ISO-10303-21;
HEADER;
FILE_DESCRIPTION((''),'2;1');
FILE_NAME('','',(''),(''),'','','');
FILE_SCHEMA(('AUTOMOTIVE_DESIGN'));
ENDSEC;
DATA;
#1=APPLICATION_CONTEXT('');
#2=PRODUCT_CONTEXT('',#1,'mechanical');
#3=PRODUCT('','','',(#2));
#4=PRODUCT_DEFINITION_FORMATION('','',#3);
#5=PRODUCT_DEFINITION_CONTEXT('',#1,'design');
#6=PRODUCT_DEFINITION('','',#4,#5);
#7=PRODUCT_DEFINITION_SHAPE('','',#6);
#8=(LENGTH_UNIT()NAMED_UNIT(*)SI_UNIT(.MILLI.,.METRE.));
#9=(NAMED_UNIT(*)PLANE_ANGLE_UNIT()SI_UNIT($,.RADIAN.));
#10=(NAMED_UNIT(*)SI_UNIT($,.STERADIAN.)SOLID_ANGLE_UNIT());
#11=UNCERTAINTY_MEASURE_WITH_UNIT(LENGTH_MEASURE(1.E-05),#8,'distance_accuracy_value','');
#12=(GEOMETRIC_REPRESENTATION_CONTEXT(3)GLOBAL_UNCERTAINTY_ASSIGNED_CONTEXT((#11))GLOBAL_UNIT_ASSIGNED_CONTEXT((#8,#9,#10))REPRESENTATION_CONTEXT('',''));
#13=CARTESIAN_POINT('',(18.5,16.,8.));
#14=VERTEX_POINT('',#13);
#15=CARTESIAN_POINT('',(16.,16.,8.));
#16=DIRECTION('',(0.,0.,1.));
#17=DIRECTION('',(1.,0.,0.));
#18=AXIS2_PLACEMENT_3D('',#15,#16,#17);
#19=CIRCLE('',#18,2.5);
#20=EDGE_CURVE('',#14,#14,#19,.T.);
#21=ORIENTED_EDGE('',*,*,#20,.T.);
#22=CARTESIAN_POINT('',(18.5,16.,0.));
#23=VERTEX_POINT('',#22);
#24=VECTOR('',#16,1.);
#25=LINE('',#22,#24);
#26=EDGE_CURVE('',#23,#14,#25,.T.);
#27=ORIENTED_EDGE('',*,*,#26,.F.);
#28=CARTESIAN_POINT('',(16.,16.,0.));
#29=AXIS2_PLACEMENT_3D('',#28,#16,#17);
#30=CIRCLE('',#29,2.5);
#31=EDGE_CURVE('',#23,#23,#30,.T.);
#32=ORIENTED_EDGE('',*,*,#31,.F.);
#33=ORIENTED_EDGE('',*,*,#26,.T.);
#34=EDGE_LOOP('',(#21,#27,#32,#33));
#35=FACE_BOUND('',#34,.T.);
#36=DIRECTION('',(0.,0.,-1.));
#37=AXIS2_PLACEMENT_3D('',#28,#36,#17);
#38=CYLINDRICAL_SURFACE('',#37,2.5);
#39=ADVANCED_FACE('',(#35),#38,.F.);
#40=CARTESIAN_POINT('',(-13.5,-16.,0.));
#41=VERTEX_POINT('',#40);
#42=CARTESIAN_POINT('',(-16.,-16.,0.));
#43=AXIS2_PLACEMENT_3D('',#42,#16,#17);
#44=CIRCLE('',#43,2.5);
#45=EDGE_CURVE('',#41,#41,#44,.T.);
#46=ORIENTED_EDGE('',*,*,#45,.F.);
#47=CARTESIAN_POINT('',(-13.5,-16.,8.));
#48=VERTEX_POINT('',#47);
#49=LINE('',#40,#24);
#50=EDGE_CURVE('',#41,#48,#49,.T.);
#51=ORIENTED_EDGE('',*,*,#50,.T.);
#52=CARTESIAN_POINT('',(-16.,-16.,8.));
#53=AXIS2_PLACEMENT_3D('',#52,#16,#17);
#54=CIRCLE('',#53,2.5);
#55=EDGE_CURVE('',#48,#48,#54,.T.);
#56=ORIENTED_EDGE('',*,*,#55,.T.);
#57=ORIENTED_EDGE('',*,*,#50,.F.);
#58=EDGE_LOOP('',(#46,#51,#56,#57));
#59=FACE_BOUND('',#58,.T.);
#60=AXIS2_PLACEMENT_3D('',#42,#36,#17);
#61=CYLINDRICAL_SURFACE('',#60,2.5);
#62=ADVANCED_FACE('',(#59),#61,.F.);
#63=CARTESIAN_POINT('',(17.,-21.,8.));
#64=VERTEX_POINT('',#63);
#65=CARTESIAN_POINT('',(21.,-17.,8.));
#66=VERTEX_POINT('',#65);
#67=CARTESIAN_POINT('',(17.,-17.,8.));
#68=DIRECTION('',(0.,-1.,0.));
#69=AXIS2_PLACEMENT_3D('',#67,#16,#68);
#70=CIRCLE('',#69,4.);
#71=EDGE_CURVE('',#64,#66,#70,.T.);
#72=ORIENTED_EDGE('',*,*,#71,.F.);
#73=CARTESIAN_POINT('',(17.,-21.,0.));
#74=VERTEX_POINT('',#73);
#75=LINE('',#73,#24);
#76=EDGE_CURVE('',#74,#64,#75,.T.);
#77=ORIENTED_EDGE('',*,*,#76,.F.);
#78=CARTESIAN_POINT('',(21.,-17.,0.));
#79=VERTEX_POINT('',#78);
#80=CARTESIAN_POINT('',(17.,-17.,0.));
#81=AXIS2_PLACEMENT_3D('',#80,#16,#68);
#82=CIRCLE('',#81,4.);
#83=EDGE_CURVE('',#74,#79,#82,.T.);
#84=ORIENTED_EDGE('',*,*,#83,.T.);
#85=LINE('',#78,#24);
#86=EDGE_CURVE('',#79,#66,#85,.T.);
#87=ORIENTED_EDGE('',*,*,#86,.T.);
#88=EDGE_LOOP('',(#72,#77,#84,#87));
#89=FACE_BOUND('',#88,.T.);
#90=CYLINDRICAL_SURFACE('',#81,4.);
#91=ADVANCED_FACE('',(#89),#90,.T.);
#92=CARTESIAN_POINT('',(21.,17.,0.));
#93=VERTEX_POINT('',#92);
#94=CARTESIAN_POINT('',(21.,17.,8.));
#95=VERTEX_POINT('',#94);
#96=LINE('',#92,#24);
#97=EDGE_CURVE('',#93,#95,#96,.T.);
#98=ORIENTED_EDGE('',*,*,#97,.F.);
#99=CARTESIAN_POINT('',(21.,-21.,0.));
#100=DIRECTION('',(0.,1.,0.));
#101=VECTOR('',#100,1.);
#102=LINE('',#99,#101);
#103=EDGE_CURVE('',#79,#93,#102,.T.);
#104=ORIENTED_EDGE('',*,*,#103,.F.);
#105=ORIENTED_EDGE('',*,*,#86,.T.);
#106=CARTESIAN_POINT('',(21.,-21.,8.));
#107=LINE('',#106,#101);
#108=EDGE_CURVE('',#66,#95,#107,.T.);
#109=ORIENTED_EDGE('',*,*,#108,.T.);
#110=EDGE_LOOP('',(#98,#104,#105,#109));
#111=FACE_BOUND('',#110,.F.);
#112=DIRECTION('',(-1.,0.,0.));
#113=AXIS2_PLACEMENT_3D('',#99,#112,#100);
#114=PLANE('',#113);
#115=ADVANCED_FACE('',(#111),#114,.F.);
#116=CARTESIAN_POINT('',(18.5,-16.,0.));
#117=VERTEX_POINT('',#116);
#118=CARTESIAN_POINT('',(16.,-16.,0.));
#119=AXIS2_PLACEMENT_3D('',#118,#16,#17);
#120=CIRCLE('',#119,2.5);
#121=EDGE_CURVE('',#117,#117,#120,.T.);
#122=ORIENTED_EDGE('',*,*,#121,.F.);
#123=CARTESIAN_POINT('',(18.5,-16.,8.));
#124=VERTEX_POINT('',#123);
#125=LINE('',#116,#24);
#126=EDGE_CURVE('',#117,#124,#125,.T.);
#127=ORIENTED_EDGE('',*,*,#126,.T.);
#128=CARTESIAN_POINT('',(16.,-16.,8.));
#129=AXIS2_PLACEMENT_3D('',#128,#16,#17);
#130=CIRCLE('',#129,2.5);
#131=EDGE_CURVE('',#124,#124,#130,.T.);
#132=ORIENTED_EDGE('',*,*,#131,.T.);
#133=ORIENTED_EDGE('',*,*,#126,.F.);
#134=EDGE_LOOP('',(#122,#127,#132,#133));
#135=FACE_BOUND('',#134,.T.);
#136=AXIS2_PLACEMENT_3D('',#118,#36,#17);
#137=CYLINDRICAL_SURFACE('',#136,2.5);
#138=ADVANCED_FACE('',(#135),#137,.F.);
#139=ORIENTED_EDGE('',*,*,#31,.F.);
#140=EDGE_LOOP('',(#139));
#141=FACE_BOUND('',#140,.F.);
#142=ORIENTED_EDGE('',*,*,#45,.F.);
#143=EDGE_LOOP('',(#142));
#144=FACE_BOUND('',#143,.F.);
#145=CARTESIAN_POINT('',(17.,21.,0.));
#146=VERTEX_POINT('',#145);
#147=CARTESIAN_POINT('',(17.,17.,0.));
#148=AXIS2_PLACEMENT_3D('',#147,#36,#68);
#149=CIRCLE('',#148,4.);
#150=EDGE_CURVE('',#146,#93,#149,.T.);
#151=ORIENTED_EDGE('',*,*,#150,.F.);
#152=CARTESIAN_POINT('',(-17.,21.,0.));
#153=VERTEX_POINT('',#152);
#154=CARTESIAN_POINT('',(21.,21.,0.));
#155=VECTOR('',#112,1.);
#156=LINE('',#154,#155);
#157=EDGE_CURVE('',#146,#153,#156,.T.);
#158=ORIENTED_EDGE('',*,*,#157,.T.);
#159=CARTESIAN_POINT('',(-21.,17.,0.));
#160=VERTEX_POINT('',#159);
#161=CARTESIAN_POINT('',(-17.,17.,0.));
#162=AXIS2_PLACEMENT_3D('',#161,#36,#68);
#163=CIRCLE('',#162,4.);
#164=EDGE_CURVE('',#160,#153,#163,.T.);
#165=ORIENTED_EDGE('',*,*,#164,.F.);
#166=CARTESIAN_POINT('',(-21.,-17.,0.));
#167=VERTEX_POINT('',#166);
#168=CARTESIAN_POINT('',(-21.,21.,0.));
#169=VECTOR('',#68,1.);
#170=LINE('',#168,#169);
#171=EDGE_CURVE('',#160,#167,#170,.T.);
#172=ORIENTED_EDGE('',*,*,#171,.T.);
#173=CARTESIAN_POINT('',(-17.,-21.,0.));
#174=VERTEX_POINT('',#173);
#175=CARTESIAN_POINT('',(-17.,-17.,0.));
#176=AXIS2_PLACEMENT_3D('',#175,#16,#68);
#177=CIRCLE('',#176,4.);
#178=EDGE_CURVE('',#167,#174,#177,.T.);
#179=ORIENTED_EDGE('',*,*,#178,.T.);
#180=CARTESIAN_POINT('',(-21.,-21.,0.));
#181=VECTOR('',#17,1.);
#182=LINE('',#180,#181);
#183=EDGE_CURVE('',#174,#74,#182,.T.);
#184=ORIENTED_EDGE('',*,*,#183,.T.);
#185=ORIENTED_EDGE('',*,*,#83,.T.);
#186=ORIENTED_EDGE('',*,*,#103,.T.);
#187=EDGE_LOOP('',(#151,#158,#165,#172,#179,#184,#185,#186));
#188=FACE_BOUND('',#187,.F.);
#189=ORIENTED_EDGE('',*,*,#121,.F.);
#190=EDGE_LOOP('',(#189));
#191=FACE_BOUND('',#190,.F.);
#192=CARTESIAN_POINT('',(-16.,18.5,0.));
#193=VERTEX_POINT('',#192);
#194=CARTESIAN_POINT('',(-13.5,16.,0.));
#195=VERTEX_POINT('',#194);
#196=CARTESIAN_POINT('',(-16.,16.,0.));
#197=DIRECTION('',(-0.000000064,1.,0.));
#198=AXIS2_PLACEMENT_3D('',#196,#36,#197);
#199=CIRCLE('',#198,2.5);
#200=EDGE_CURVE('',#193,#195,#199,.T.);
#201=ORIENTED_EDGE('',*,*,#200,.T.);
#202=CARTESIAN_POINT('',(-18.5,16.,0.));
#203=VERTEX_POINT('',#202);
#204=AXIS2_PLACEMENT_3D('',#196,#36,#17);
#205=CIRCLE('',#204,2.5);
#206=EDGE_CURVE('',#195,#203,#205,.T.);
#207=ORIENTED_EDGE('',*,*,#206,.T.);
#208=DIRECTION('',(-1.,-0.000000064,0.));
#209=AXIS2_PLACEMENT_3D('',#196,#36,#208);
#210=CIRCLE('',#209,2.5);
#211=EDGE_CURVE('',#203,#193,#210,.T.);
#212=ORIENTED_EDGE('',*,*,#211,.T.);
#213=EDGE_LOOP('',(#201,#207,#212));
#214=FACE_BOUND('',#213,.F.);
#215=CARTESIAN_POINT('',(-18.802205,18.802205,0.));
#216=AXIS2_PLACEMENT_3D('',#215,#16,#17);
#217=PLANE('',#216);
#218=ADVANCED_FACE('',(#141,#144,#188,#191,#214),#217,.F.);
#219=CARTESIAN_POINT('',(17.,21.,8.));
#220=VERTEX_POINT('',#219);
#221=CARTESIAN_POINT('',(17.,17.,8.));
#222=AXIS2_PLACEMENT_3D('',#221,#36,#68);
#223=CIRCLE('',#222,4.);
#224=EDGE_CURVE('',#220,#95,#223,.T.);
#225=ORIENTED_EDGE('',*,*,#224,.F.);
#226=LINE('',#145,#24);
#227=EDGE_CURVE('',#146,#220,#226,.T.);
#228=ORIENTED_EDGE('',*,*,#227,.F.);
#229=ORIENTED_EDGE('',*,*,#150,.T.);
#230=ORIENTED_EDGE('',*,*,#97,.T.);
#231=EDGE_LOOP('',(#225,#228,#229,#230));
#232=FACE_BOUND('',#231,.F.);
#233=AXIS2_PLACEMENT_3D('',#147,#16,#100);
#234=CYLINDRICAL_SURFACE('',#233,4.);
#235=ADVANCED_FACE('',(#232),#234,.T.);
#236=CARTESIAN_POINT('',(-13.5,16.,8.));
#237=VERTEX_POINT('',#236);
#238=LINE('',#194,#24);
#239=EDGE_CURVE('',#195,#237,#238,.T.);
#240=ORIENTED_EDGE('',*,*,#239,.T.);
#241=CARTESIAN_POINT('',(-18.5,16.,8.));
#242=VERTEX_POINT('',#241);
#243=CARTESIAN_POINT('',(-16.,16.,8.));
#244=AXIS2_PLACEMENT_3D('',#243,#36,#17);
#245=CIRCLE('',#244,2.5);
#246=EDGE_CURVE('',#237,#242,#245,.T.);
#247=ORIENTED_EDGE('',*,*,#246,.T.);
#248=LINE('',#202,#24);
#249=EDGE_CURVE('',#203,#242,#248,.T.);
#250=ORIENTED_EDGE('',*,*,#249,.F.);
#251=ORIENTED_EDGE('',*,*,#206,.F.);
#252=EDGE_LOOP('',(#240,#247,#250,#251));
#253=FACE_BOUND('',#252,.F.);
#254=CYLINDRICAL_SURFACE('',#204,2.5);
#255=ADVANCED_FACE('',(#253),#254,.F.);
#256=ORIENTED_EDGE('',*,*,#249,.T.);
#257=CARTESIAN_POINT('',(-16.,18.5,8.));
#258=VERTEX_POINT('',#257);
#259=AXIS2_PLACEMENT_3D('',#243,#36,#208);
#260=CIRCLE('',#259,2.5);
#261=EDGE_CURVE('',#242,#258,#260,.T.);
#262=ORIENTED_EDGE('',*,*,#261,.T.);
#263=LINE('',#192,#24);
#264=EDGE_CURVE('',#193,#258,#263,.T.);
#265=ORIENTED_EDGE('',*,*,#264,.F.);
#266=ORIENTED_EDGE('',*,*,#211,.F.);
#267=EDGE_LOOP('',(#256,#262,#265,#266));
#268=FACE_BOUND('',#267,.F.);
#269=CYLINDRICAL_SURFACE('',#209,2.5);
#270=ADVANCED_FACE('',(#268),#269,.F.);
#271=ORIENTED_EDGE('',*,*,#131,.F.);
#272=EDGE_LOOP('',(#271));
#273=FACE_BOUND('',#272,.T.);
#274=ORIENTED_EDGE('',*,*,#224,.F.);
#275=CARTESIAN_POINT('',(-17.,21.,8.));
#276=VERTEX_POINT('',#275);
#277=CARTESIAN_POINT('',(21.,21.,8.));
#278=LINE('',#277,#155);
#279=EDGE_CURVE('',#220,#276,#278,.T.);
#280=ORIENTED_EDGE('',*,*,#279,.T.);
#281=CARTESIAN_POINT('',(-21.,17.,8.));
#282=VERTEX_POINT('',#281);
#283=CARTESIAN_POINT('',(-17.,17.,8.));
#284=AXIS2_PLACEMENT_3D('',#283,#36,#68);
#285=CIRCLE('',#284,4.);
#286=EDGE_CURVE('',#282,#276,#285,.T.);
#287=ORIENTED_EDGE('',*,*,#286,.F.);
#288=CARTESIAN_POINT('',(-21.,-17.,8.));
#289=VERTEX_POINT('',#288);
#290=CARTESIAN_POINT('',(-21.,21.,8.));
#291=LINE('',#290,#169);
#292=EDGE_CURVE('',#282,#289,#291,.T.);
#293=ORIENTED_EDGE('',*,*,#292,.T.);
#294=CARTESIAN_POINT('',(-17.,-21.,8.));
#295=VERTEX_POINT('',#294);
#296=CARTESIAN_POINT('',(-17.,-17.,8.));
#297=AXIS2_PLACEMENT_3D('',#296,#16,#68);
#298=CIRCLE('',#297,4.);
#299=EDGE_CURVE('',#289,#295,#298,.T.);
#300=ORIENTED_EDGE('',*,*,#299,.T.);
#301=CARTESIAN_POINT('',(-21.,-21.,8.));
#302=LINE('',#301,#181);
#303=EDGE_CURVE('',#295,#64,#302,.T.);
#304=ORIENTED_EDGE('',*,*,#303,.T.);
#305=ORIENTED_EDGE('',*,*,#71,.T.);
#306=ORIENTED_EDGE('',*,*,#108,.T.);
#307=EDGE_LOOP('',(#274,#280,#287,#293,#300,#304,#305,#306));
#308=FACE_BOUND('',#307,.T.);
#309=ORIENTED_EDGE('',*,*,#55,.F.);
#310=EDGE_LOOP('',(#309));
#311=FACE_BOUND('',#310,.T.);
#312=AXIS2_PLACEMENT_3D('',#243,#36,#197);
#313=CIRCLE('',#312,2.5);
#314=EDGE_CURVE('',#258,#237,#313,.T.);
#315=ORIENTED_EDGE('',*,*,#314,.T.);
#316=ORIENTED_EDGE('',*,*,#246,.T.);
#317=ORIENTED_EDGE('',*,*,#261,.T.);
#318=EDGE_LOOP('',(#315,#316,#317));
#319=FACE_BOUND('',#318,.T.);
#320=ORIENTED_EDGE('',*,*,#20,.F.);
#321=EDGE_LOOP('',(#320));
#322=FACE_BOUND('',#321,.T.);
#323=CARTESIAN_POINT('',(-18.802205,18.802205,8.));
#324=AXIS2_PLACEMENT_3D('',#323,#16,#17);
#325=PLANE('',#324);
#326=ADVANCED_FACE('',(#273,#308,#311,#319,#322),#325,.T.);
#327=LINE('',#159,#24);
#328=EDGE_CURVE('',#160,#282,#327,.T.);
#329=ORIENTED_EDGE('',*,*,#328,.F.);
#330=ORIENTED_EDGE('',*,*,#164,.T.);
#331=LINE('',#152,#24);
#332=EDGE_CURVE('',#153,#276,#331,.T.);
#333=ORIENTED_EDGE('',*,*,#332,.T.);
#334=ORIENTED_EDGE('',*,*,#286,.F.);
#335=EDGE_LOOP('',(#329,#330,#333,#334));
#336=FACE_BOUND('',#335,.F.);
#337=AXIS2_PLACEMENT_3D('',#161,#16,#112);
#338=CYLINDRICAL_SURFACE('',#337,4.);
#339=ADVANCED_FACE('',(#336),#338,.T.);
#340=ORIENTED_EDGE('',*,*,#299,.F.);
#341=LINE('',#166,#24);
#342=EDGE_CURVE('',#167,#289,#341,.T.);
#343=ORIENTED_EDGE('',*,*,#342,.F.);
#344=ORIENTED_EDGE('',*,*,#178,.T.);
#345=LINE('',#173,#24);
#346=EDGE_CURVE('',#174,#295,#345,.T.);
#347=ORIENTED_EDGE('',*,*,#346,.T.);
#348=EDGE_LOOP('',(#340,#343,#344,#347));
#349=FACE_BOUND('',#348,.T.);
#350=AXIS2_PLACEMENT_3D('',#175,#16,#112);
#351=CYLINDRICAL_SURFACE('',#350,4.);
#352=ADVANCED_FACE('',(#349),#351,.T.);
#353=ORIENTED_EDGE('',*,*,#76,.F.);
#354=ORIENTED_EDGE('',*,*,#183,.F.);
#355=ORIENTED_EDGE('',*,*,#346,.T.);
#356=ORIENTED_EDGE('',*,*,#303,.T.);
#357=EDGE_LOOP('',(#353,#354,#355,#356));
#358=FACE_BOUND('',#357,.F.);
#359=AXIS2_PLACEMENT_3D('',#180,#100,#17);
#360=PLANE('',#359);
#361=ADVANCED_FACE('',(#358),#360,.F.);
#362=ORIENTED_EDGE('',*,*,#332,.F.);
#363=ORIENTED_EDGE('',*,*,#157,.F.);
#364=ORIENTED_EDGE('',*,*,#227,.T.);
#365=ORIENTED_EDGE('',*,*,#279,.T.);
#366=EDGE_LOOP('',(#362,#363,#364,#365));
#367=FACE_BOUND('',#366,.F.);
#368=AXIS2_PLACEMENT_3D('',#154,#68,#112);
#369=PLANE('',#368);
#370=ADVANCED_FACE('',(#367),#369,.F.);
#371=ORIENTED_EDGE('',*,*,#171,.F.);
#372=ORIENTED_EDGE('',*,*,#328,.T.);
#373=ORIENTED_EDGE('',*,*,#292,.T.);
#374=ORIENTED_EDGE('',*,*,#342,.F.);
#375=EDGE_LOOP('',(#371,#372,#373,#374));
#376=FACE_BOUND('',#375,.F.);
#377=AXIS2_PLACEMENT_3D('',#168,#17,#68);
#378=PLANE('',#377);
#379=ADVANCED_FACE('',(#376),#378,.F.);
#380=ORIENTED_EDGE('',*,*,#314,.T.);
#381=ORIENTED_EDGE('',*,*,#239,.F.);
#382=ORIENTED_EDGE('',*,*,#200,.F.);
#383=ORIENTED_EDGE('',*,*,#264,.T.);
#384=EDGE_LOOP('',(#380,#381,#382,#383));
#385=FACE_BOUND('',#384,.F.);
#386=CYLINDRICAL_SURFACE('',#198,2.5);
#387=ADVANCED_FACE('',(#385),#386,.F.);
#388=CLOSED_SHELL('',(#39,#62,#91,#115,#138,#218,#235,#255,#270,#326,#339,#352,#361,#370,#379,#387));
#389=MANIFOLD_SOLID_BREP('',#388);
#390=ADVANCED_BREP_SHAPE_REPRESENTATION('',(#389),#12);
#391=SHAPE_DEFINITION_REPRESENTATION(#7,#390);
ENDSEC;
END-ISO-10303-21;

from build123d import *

# Parameters (mm, degrees)
F0_R     = 2.5
F1_DEPTH = 8
F2_R     = 4


with BuildPart() as f1:
    # F0 (on Top) → F1 (new body)
    with BuildSketch(Plane.XY):
        with BuildLine():
            Line((-21, 21), (-21, 16))
            Line((-21, 16), (-18.5, 16))
            ThreePointArc((-18.5, 16), (-17.767767, 17.767767), (-16, 18.5))
            Line((-16, 18.5), (-16, 21))
            Line((-16, 21), (-21, 21))
        make_face()
        with BuildLine():
            Line((-21, -21), (21, -21))
            Line((21, -21), (21, 21))
            Line((21, 21), (-16, 21))
            Line((-16, 21), (-16, 18.5))
            ThreePointArc((-16, 18.5), (-14.232233, 17.767767), (-13.5, 16))
            ThreePointArc((-13.5, 16), (-16, 13.5), (-18.5, 16))
            Line((-18.5, 16), (-21, 16))
            Line((-21, 16), (-21, -21))
        make_face()
        with Locations((-16, -16)):
            Circle(F0_R, mode=Mode.SUBTRACT)
        with Locations((16, -16)):
            Circle(F0_R, mode=Mode.SUBTRACT)
        with Locations((16, 16)):
            Circle(F0_R, mode=Mode.SUBTRACT)
    extrude(amount=F1_DEPTH)

    # F2
    f2_edges = [f1.edges().sort_by_distance(p)[0] for p in [
        (21, -21, 4),
        (-21, -21, 4),
        (21, 21, 4),
        (-21, 21, 4),
    ]]
    fillet(f2_edges, radius=F2_R)


solid = f1.part
